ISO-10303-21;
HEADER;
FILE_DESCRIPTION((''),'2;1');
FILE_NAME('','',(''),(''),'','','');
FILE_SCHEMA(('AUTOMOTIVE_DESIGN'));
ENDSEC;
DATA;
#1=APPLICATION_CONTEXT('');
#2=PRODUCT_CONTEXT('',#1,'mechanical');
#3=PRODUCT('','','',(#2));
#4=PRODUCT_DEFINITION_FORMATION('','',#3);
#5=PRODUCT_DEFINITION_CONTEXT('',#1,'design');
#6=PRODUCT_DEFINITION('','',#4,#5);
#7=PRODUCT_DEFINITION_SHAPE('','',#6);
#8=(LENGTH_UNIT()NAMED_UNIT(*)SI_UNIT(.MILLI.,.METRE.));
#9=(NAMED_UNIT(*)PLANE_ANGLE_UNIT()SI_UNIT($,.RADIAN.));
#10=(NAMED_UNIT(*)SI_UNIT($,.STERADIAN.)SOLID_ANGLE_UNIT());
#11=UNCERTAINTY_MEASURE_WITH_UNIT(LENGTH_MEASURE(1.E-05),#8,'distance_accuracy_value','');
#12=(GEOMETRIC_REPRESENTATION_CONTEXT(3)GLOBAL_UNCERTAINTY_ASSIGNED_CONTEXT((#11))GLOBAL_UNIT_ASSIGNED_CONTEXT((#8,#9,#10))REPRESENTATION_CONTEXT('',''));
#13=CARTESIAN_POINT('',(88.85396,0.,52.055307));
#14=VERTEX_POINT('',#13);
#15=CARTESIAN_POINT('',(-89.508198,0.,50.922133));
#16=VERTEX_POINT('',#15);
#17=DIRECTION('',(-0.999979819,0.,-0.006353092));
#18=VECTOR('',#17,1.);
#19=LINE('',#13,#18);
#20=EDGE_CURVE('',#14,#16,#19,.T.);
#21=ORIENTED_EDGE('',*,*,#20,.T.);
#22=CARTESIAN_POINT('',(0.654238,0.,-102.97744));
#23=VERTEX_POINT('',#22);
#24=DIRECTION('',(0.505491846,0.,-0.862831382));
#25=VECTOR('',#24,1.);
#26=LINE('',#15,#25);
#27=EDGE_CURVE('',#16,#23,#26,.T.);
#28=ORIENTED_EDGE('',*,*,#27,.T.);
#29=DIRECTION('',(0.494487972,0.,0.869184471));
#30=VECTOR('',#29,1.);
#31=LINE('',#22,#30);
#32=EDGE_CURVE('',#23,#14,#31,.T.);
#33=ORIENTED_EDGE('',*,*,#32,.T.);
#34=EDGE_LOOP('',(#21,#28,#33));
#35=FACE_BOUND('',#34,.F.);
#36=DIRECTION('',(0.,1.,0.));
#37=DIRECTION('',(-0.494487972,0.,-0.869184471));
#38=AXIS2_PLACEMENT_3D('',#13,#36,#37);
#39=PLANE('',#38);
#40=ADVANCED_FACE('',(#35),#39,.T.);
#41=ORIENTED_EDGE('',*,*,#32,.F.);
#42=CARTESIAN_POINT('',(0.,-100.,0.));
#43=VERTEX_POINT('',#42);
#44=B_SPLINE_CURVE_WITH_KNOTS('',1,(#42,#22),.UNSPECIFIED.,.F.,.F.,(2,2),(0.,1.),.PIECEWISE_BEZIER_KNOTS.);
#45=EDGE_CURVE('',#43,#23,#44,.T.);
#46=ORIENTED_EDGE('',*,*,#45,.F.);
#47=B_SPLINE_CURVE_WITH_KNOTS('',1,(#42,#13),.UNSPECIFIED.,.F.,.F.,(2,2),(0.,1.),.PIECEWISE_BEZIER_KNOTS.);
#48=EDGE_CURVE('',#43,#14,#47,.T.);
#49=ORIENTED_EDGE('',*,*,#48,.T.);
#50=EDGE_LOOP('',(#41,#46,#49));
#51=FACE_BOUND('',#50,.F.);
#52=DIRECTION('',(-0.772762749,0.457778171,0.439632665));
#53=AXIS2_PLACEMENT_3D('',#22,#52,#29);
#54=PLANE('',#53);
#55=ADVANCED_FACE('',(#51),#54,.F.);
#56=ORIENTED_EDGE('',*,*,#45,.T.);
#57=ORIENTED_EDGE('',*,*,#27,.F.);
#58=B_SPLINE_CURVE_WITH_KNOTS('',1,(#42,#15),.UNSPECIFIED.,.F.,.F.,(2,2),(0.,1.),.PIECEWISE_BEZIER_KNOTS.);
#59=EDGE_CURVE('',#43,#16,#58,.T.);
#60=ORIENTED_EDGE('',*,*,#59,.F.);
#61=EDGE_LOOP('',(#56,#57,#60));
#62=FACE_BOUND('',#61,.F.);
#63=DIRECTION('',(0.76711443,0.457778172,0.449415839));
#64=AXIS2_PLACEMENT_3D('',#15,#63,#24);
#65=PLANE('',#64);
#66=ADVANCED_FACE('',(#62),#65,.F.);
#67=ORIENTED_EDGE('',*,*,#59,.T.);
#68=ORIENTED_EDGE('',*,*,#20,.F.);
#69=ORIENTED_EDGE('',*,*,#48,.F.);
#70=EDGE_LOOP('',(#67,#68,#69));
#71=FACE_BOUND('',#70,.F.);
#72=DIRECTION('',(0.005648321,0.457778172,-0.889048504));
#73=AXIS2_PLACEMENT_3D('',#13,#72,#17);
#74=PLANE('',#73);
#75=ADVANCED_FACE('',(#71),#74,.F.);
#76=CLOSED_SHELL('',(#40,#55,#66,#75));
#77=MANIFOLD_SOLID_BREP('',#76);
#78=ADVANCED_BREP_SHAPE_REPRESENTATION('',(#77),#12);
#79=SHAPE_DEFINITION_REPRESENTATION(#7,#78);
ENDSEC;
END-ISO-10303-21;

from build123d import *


with BuildPart() as f3:
    # F0 (on Front) → F3 section 0
    with BuildSketch(Plane.XZ, mode=Mode.PRIVATE) as f3_s0:
        Polygon((88.85396, 52.055307), (-89.508198, 50.922133), (0.654238, -102.97744), align=None)
    loft([Vertex(0, -100, 0), f3_s0.sketch])


solid = f3.part
